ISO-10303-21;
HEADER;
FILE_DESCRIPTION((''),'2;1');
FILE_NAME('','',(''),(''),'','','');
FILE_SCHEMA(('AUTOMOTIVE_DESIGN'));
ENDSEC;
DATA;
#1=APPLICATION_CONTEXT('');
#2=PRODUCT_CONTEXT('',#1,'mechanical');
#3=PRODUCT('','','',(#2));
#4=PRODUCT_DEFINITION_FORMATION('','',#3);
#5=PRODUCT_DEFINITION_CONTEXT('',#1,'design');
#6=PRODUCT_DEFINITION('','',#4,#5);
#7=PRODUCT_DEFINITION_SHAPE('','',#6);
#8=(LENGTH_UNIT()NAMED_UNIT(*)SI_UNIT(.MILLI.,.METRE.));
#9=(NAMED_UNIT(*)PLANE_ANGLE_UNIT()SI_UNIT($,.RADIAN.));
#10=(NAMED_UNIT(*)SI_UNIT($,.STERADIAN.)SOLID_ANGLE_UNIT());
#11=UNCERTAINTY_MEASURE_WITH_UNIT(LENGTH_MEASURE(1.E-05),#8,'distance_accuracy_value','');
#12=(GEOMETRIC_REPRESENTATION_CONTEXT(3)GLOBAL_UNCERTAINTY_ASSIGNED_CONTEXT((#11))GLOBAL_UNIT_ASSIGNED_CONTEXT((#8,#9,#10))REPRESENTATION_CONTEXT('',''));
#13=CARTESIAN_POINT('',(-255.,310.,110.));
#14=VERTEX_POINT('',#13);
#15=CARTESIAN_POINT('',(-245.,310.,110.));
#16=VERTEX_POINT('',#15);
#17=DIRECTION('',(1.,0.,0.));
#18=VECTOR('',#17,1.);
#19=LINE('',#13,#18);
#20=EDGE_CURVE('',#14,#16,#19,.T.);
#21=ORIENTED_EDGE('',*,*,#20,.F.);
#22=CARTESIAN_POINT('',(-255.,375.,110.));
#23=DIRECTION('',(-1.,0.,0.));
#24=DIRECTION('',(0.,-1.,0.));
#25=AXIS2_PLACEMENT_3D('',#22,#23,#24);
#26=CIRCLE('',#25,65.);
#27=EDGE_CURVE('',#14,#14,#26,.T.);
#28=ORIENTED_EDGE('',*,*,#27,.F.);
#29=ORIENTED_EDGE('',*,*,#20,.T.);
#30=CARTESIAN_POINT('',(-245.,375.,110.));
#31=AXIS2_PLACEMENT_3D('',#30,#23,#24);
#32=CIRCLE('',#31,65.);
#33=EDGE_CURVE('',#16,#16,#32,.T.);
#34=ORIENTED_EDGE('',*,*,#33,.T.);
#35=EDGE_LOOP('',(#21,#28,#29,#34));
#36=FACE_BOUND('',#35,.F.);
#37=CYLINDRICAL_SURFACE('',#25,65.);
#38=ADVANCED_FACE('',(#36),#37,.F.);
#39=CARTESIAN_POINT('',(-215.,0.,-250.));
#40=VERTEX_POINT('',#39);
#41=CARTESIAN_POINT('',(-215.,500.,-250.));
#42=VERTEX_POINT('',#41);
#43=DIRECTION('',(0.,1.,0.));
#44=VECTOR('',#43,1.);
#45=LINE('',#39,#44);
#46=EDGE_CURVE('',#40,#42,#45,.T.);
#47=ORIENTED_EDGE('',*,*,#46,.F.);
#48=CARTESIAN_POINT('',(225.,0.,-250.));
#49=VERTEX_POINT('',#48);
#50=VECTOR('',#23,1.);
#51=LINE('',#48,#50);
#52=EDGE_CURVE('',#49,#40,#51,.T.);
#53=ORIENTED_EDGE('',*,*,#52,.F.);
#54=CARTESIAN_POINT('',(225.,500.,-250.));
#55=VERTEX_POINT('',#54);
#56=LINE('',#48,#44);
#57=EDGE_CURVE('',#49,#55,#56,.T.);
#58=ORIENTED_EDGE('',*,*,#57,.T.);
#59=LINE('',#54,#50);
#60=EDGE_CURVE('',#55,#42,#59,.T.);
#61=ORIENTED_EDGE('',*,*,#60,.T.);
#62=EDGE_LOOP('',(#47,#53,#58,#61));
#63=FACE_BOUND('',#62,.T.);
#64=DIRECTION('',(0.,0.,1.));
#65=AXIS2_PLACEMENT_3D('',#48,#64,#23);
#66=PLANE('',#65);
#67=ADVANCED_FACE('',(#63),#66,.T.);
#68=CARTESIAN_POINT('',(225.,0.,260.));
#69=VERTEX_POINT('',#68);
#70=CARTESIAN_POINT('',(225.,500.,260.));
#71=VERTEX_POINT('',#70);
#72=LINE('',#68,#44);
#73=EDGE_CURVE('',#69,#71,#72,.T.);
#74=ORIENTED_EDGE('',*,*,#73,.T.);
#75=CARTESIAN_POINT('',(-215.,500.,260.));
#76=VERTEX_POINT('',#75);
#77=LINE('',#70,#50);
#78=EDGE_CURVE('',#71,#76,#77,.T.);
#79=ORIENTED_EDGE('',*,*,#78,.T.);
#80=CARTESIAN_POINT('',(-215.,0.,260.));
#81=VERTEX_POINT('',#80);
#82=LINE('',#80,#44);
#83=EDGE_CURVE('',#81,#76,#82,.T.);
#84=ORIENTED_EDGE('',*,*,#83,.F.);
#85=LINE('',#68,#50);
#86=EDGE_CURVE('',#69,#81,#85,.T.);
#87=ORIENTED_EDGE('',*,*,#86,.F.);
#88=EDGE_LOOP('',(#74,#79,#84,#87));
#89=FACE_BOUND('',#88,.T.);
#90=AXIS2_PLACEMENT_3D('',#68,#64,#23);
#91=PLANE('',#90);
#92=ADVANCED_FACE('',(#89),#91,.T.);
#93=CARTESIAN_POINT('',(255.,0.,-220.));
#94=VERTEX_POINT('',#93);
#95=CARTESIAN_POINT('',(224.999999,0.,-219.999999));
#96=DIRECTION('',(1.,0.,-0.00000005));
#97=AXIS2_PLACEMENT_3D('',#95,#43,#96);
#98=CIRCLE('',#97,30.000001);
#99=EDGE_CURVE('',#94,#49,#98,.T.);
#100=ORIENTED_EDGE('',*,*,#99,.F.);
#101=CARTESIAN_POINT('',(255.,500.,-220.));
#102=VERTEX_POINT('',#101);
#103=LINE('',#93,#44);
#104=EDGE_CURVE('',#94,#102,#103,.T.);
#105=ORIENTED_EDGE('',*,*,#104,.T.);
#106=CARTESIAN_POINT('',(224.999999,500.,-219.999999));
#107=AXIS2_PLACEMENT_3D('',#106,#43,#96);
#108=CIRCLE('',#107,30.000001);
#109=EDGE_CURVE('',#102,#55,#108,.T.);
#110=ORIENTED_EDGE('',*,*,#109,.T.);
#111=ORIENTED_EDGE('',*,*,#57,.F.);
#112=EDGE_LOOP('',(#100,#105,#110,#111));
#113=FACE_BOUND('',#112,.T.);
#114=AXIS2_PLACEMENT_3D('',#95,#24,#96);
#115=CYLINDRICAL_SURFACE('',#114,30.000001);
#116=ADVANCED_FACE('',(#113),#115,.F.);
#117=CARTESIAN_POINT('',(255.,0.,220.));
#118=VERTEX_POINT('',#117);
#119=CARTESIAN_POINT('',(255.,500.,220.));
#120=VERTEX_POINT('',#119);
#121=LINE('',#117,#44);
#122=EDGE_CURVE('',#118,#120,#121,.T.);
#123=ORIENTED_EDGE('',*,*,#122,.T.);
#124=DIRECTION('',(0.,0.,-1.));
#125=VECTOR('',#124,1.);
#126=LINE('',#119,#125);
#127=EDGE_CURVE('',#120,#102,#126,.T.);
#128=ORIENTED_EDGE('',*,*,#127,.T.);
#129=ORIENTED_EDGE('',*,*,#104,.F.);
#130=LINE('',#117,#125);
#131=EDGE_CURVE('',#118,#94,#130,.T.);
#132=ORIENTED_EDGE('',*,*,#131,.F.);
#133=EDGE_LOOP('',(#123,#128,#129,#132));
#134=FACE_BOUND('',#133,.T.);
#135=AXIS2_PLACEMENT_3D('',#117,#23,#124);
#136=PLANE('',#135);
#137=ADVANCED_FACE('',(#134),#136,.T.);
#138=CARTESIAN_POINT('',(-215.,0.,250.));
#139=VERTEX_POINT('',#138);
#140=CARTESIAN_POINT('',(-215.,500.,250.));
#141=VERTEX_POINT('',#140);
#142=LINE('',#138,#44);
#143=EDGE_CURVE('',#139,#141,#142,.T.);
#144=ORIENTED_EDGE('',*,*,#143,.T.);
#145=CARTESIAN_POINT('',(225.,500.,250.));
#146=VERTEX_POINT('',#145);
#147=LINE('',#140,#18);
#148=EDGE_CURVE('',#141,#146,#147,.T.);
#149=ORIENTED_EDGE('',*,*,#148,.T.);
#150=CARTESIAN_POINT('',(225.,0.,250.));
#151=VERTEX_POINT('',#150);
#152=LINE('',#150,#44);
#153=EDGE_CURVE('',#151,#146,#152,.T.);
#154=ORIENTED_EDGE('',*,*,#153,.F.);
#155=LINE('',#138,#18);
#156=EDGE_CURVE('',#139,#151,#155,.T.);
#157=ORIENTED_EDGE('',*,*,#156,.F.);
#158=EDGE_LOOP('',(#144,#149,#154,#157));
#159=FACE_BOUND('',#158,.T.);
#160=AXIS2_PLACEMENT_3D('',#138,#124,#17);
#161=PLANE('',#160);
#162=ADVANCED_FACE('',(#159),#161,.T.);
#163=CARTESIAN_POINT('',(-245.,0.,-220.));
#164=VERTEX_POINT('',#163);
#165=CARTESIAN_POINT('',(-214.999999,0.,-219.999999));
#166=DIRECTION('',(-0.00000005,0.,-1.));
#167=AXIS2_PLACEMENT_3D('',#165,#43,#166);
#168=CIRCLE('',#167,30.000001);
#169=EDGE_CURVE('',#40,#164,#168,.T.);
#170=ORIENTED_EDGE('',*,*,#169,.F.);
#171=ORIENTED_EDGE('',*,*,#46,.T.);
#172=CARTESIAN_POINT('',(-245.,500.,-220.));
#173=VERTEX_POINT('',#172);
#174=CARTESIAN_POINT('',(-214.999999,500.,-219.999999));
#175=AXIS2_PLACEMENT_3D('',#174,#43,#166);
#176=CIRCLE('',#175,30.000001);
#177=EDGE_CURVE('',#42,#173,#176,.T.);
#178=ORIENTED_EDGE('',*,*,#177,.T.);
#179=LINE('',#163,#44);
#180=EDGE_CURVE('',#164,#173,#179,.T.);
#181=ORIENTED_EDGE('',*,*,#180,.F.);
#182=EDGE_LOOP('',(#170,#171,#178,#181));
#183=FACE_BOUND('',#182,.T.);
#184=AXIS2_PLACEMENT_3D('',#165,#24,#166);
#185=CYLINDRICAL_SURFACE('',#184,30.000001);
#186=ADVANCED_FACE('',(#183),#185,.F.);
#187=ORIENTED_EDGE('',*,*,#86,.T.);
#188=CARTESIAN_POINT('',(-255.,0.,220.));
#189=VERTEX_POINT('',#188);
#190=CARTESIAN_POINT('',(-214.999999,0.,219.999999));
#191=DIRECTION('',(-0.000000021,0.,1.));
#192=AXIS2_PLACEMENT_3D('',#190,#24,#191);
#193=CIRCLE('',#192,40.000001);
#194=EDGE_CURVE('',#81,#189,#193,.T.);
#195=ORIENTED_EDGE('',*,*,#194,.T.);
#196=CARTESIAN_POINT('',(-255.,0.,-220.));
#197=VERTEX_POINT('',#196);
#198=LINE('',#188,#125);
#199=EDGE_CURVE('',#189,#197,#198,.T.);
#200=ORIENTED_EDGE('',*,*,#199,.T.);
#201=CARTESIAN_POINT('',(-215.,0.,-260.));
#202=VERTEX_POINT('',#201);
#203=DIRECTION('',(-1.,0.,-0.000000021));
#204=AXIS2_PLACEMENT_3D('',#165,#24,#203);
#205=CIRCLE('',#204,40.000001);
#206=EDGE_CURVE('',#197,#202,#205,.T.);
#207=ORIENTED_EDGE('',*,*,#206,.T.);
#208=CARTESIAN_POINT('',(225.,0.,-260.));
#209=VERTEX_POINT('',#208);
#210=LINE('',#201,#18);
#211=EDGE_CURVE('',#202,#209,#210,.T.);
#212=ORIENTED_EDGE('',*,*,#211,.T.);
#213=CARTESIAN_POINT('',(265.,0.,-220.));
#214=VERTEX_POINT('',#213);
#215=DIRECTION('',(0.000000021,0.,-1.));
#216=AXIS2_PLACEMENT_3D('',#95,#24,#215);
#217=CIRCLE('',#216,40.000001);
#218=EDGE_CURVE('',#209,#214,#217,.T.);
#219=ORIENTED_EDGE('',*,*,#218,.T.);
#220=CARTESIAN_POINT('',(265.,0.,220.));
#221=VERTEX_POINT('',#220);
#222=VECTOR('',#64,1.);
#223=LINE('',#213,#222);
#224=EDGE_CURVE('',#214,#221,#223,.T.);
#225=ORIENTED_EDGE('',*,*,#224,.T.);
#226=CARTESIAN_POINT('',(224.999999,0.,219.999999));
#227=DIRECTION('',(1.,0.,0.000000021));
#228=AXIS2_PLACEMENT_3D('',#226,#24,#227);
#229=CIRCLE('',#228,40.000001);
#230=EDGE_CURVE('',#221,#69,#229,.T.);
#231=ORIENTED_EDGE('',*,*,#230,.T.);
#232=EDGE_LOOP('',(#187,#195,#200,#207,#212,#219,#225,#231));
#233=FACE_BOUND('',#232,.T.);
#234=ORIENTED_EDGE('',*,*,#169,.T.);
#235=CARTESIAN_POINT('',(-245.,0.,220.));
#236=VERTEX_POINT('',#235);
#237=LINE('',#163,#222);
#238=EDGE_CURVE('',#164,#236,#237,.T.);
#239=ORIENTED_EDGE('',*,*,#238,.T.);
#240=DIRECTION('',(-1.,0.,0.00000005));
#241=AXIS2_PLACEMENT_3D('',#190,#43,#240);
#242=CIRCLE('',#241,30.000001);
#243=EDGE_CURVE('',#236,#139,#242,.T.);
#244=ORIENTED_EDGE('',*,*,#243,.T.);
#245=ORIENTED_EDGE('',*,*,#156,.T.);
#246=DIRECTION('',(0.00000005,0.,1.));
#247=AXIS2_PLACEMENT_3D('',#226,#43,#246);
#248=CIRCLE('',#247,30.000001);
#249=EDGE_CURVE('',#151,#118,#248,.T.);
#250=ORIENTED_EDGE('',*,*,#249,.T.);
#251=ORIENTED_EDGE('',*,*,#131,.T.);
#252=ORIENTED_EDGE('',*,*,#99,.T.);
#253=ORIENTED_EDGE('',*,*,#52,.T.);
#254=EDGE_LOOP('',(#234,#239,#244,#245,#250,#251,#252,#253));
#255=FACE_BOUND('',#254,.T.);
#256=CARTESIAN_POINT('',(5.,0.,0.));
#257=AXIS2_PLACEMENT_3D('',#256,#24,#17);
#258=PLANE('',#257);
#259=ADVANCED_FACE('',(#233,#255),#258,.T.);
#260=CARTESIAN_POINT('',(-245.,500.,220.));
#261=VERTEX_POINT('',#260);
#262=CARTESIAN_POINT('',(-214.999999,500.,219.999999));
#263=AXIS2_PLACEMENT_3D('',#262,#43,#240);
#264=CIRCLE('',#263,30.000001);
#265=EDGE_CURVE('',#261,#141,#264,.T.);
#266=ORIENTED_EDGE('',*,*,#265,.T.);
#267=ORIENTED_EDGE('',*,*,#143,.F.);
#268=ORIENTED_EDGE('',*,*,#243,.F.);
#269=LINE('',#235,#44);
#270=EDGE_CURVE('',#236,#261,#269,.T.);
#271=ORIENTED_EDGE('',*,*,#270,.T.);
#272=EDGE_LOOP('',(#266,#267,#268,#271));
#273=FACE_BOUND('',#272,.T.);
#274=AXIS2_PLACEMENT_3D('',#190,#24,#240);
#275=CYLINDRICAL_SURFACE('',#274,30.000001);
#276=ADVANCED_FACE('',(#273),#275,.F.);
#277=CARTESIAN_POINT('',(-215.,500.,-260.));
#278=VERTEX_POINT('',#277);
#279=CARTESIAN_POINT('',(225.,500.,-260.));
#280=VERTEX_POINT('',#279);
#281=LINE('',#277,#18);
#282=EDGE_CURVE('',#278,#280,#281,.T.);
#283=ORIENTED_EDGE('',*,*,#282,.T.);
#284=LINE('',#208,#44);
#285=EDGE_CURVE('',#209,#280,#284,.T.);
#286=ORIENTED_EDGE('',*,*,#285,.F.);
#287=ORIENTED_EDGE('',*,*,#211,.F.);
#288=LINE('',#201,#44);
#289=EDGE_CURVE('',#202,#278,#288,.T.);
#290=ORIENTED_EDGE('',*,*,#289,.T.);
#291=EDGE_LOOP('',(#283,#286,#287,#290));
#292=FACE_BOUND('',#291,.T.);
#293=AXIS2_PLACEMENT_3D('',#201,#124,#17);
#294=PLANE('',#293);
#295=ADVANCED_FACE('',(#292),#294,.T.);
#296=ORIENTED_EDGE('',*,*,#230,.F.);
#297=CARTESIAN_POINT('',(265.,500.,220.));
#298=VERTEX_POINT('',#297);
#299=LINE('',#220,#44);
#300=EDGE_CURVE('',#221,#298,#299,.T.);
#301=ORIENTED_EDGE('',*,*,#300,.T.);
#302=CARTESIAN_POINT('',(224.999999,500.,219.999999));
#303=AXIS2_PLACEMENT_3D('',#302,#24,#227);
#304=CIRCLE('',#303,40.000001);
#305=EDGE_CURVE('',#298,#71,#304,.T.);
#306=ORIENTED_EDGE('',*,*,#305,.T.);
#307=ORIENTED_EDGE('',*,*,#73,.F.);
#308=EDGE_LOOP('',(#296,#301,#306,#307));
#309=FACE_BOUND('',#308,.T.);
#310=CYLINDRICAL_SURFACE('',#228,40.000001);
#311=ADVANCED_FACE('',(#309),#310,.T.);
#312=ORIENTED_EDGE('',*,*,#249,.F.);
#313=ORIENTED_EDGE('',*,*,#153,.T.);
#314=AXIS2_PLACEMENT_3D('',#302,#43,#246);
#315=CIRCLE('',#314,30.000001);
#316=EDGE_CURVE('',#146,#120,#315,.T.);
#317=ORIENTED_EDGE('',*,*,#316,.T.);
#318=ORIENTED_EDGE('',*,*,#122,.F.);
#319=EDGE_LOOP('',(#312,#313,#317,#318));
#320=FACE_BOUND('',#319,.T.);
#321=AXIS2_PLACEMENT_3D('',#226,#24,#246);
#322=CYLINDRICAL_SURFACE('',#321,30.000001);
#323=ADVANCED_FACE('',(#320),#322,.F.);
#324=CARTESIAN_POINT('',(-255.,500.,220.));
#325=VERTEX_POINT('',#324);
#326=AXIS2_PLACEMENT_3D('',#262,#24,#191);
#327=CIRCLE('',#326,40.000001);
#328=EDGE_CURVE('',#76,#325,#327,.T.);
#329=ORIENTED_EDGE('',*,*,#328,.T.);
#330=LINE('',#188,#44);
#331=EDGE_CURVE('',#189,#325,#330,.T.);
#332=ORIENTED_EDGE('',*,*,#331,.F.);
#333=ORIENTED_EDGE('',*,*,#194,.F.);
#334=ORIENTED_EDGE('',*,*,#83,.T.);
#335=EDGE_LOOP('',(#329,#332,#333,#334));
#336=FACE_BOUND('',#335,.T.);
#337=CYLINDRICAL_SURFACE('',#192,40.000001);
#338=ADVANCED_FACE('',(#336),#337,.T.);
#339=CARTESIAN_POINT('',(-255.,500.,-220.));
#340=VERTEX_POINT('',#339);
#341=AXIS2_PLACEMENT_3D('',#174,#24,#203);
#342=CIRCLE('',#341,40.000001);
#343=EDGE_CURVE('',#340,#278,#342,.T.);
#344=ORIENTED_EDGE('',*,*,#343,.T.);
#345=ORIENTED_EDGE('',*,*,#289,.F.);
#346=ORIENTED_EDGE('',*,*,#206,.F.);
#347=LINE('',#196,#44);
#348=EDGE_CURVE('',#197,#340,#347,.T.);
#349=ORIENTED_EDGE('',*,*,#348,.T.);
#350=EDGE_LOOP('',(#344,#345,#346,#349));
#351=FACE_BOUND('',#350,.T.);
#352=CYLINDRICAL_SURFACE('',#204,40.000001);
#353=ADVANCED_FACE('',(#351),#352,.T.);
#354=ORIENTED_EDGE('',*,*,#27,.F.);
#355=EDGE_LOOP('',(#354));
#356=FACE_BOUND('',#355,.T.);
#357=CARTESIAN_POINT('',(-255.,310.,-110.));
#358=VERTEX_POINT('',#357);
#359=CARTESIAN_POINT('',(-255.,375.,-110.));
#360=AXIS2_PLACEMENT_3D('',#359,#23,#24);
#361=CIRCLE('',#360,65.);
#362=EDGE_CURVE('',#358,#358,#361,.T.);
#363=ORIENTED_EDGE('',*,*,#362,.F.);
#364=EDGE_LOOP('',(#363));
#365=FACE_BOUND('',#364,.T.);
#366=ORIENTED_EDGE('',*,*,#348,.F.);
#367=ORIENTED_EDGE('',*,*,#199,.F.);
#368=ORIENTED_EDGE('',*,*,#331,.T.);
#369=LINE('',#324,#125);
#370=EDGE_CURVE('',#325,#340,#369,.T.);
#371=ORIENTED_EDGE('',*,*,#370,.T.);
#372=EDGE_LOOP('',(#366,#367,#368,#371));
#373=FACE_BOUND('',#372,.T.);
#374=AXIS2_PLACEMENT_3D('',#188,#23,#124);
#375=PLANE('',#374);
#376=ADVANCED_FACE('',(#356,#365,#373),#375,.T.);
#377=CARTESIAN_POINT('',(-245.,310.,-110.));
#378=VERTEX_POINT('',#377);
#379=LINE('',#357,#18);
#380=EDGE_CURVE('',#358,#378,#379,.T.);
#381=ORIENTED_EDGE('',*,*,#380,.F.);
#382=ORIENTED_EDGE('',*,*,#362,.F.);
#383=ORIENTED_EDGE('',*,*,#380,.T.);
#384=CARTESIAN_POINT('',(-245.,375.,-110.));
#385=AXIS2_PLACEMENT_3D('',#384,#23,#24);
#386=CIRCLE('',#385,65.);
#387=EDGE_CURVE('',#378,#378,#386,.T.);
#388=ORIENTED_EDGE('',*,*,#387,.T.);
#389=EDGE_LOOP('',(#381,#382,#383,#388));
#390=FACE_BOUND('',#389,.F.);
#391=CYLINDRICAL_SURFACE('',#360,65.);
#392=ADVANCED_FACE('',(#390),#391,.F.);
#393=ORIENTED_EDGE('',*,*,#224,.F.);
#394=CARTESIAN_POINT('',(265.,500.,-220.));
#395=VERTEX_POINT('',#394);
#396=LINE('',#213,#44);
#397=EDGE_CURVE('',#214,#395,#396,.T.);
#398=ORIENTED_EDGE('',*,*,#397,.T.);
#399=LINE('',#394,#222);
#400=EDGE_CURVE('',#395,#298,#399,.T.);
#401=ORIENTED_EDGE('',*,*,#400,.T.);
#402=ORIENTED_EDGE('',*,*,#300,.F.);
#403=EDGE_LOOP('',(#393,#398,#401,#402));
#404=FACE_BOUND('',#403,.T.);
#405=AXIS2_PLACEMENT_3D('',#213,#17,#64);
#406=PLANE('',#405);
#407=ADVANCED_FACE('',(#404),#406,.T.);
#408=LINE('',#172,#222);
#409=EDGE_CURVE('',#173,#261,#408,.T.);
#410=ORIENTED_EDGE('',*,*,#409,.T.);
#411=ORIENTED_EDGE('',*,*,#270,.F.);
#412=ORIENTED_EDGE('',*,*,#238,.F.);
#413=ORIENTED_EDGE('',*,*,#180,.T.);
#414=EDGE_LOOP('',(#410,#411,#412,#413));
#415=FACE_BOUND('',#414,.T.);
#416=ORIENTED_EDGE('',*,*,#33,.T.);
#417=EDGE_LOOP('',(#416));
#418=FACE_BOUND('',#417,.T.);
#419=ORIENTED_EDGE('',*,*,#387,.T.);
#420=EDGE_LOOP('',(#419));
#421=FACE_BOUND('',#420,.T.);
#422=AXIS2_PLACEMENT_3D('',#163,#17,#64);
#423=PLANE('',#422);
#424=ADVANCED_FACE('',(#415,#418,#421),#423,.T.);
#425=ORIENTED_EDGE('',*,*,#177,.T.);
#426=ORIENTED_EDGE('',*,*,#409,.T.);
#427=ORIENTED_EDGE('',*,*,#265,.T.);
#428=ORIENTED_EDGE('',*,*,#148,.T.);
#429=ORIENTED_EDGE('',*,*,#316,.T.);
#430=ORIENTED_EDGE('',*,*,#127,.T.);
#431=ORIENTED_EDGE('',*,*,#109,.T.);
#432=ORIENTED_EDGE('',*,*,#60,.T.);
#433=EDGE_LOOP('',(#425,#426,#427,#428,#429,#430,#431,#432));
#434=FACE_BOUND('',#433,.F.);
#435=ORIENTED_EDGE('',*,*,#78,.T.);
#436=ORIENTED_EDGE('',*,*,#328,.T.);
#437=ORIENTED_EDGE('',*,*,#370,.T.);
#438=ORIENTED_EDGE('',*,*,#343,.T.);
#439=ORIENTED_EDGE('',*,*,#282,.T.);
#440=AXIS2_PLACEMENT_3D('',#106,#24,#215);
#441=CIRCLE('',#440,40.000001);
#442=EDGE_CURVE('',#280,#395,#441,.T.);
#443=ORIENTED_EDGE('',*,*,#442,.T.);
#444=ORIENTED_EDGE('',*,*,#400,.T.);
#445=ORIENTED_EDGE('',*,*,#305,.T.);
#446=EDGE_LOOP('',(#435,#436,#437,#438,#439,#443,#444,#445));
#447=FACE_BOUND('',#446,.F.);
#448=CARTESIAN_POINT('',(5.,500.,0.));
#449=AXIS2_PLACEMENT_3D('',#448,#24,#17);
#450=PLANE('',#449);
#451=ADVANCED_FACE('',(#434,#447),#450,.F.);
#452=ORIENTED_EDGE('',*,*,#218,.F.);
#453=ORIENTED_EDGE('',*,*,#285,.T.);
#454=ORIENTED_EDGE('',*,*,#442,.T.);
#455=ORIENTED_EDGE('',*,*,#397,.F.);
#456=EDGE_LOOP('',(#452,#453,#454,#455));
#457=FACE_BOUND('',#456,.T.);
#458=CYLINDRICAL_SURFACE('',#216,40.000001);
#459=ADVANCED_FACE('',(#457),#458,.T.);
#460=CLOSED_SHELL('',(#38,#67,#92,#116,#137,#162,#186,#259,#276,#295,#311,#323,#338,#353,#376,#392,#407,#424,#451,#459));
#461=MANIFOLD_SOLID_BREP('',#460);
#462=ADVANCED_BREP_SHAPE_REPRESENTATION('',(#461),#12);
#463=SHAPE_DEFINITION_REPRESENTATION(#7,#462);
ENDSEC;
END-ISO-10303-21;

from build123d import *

# Parameters (mm, degrees)
F1_DEPTH = 500
F2_R     = 65
F3_DEPTH = 25


with BuildPart() as f1:
    # F0 (on Front) → F1 (new body)
    with BuildSketch(Plane.XZ):
        with BuildLine():
            Line((225, 260), (-215, 260))
            ThreePointArc((-215, 260), (-243.284271, 248.284271), (-255, 220))
            Line((-255, 220), (-255, -220))
            ThreePointArc((-255, -220), (-243.284271, -248.284271), (-215, -260))
            Line((-215, -260), (225, -260))
            ThreePointArc((225, -260), (253.284271, -248.284271), (265, -220))
            Line((265, -220), (265, 220))
            ThreePointArc((265, 220), (253.284271, 248.284271), (225, 260))
        make_face()
        with BuildLine():
            ThreePointArc((-245, 220), (-236.213203, 241.213203), (-215, 250))
            Line((-215, 250), (225, 250))
            ThreePointArc((225, 250), (246.213203, 241.213203), (255, 220))
            Line((255, 220), (255, -220))
            ThreePointArc((255, -220), (246.213203, -241.213203), (225, -250))
            Line((225, -250), (-215, -250))
            ThreePointArc((-215, -250), (-236.213203, -241.213203), (-245, -220))
            Line((-245, -220), (-245, 220))
        make_face(mode=Mode.SUBTRACT)
    extrude(amount=-F1_DEPTH)

    # F2 (on face) → F3 (cut)
    with BuildSketch(Plane(origin=(-255, 0, 0), x_dir=(0, -1, 0), z_dir=(-1, 0, 0))):
        with Locations((-375, 110)):
            Circle(F2_R)
        with Locations((-375, -110)):
            Circle(F2_R)
    extrude(amount=-F3_DEPTH, mode=Mode.SUBTRACT)


solid = f1.part
